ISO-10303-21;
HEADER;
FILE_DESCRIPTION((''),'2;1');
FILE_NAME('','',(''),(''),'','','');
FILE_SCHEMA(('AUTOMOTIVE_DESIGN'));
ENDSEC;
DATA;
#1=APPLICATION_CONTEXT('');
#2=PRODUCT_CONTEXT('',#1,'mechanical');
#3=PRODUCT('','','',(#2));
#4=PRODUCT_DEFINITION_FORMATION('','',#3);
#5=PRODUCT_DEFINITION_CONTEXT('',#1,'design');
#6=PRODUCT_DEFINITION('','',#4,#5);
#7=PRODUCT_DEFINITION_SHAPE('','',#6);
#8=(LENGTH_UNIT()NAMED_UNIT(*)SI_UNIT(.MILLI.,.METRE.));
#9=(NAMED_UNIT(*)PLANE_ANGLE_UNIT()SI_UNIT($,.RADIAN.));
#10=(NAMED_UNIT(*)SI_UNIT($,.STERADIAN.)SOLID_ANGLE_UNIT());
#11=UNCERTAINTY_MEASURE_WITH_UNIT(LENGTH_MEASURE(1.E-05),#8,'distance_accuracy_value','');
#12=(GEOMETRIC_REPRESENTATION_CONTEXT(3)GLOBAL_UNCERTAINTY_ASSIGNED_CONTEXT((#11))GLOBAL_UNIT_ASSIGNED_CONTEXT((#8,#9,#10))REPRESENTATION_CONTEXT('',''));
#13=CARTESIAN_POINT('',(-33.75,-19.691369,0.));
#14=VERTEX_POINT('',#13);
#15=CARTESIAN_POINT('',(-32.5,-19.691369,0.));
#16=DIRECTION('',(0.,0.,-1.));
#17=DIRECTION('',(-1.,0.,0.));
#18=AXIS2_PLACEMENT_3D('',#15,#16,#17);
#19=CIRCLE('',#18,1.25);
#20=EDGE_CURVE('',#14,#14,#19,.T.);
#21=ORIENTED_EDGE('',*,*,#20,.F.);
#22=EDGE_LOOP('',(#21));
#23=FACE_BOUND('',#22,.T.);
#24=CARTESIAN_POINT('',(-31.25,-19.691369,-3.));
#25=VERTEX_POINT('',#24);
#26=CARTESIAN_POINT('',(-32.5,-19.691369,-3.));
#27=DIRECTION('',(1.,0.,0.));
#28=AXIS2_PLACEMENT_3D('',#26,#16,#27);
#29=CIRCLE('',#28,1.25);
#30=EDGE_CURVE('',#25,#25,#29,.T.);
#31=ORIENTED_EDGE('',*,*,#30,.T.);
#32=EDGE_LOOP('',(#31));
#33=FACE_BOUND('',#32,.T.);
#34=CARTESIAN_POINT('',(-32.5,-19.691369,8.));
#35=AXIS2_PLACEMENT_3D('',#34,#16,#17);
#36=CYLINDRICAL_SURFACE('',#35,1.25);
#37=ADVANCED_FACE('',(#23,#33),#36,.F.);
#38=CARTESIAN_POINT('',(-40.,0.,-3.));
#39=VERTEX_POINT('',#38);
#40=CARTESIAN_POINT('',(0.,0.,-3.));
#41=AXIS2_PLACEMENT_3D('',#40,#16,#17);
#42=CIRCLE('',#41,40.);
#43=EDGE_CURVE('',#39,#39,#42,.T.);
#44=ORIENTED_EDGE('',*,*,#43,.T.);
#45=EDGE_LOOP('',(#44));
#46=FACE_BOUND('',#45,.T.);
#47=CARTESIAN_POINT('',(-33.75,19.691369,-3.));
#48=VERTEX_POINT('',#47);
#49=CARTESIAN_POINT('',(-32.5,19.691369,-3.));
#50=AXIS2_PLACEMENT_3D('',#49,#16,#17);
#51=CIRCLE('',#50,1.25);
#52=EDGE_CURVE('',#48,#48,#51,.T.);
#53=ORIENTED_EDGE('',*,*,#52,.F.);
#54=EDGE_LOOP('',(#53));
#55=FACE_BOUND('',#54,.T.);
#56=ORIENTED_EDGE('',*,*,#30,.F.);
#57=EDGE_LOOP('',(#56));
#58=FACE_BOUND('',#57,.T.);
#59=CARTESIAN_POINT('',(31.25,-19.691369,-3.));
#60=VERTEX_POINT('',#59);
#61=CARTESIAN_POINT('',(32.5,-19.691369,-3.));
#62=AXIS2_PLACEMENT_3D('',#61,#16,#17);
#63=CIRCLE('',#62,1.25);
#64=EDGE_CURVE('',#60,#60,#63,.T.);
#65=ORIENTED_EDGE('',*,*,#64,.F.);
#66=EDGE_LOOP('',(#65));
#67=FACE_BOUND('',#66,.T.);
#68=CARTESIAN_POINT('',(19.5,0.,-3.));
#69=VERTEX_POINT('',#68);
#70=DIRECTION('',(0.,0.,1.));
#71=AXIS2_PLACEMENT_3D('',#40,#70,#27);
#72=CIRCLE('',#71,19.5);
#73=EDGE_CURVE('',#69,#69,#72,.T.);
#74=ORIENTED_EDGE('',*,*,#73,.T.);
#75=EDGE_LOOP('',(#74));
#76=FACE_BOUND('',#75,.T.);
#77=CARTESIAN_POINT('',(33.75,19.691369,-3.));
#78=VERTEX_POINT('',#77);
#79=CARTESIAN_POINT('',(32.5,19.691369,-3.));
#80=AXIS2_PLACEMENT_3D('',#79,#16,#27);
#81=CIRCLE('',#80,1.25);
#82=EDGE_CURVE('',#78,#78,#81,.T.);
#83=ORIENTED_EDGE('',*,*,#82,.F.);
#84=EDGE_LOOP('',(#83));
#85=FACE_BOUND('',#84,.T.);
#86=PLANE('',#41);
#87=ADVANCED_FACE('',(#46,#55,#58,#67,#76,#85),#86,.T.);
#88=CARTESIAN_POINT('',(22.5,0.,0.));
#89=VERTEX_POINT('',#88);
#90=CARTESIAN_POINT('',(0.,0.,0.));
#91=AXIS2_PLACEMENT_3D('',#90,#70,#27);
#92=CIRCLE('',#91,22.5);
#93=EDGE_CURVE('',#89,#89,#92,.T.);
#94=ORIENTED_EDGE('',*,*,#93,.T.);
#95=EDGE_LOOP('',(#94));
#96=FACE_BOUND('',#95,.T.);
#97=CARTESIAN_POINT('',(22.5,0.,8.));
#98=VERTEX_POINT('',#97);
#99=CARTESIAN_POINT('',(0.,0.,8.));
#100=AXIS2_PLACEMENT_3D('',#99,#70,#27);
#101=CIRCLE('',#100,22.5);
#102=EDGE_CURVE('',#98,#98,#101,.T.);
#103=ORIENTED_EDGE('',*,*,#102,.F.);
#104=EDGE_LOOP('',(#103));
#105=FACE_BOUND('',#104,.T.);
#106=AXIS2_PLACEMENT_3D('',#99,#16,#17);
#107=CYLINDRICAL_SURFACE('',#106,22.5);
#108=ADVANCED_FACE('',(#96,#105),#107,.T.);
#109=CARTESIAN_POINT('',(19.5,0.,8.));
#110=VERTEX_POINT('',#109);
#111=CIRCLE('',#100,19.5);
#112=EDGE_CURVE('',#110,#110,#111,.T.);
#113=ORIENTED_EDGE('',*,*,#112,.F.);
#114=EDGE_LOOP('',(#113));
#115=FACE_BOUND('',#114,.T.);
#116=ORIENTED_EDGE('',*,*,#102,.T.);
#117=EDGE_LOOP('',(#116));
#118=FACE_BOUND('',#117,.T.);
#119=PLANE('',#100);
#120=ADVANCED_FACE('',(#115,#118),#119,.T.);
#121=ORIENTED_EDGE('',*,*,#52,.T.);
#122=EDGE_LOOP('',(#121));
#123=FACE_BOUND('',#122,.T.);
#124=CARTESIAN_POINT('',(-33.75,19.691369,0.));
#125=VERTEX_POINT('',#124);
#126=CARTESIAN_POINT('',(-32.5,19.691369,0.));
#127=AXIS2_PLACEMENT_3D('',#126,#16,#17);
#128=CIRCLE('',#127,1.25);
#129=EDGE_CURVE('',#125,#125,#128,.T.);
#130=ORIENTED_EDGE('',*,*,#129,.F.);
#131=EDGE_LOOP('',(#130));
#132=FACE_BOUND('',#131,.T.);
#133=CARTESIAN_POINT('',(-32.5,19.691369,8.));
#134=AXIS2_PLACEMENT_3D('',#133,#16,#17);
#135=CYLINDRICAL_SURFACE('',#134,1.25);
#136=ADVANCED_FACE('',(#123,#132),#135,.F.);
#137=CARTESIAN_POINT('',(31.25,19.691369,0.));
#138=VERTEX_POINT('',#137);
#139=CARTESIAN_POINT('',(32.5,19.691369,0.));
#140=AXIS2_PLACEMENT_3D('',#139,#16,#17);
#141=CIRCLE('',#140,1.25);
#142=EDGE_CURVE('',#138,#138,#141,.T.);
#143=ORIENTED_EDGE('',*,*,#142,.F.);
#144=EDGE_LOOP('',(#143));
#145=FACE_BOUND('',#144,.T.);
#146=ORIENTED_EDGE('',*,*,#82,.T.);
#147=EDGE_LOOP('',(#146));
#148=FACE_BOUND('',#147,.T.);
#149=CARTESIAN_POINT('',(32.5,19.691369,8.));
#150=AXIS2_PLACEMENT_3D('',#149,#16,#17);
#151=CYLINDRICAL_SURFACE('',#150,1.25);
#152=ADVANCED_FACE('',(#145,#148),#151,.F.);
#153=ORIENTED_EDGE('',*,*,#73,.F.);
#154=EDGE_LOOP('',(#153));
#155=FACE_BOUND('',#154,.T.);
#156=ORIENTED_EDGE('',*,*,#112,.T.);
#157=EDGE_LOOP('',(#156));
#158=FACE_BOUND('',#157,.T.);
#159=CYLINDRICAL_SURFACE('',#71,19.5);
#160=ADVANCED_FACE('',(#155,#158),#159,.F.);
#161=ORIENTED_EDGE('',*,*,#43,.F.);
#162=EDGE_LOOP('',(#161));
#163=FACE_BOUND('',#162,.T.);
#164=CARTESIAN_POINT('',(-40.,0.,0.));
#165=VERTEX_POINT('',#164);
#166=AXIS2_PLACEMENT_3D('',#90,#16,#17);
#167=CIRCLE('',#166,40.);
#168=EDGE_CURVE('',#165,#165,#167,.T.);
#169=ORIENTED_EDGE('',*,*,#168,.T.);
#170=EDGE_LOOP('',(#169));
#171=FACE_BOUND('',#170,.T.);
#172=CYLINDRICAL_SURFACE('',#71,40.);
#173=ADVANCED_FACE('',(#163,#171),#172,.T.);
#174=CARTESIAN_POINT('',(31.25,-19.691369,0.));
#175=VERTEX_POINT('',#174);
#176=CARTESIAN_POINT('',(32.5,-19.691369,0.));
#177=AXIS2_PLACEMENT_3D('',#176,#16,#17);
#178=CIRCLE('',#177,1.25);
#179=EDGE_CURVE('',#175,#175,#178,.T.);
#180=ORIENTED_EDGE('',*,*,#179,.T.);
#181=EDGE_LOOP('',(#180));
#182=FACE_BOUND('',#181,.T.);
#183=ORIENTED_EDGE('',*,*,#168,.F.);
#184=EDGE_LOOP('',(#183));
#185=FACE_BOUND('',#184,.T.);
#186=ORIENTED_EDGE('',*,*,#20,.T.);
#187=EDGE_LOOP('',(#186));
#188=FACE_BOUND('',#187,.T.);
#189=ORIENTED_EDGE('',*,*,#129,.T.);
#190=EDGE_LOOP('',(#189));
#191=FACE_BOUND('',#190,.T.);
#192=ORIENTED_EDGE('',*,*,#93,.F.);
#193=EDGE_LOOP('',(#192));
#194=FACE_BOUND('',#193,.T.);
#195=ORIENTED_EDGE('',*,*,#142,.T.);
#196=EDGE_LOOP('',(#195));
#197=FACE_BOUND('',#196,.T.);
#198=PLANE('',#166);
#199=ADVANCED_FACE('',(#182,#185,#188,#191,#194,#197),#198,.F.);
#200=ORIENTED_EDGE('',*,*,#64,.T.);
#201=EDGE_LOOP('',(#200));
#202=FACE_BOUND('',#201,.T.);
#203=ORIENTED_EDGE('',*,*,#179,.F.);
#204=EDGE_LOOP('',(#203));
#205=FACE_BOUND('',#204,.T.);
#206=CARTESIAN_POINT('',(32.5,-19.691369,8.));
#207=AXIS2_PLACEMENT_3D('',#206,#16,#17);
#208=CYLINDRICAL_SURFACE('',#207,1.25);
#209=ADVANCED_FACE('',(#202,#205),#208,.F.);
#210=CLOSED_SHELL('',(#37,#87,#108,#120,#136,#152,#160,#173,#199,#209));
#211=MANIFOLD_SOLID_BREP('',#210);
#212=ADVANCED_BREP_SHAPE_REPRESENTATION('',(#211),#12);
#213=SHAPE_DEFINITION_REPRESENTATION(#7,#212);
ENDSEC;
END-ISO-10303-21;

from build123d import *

# Parameters (mm, degrees)
SKETCH_1_R          = 22.5
EXTRUDE_1_DEPTH     = 8
SKETCH_2_R          = 40
EXTRUDE_2_DEPTH     = 3
SKETCH_4_R          = 19.5
CUT_EXTRUDE_2_DEPTH = 58.628118137
SKETCH_7_R          = 1.25
CUT_EXTRUDE_4_DEPTH = 58.628118137


with BuildPart() as part:
    # 草图1 → 凸台-拉伸1 (new body)
    with BuildSketch(Plane.XY):
        Circle(SKETCH_1_R)
    extrude(amount=EXTRUDE_1_DEPTH)

    # 草图2 → 凸台-拉伸2 (add)
    with BuildSketch(Plane(origin=(0, 0, 0), x_dir=(-1, 0, 0), z_dir=(0, 0, -1))):
        Circle(SKETCH_2_R)
    extrude(amount=EXTRUDE_2_DEPTH)

    # 草图4 → 切除-拉伸2 (cut, through all)
    with BuildSketch(Plane.XY.offset(8)):
        Circle(SKETCH_4_R)
    extrude(amount=-CUT_EXTRUDE_2_DEPTH, mode=Mode.SUBTRACT)

    # 草图7 → 切除-拉伸4 (cut, through all)
    with BuildSketch(Plane(origin=(0, 0, -3), x_dir=(-1, 0, 0), z_dir=(0, 0, -1))):
        with Locations((32.5, 19.691368668)):
            Circle(SKETCH_7_R)
        with Locations((-32.5, 19.691368668)):
            Circle(SKETCH_7_R)
        with Locations((32.5, -19.691368668)):
            Circle(SKETCH_7_R)
        with Locations((-32.5, -19.691368668)):
            Circle(SKETCH_7_R)
    extrude(amount=-CUT_EXTRUDE_4_DEPTH, mode=Mode.SUBTRACT)


solid = part.part
